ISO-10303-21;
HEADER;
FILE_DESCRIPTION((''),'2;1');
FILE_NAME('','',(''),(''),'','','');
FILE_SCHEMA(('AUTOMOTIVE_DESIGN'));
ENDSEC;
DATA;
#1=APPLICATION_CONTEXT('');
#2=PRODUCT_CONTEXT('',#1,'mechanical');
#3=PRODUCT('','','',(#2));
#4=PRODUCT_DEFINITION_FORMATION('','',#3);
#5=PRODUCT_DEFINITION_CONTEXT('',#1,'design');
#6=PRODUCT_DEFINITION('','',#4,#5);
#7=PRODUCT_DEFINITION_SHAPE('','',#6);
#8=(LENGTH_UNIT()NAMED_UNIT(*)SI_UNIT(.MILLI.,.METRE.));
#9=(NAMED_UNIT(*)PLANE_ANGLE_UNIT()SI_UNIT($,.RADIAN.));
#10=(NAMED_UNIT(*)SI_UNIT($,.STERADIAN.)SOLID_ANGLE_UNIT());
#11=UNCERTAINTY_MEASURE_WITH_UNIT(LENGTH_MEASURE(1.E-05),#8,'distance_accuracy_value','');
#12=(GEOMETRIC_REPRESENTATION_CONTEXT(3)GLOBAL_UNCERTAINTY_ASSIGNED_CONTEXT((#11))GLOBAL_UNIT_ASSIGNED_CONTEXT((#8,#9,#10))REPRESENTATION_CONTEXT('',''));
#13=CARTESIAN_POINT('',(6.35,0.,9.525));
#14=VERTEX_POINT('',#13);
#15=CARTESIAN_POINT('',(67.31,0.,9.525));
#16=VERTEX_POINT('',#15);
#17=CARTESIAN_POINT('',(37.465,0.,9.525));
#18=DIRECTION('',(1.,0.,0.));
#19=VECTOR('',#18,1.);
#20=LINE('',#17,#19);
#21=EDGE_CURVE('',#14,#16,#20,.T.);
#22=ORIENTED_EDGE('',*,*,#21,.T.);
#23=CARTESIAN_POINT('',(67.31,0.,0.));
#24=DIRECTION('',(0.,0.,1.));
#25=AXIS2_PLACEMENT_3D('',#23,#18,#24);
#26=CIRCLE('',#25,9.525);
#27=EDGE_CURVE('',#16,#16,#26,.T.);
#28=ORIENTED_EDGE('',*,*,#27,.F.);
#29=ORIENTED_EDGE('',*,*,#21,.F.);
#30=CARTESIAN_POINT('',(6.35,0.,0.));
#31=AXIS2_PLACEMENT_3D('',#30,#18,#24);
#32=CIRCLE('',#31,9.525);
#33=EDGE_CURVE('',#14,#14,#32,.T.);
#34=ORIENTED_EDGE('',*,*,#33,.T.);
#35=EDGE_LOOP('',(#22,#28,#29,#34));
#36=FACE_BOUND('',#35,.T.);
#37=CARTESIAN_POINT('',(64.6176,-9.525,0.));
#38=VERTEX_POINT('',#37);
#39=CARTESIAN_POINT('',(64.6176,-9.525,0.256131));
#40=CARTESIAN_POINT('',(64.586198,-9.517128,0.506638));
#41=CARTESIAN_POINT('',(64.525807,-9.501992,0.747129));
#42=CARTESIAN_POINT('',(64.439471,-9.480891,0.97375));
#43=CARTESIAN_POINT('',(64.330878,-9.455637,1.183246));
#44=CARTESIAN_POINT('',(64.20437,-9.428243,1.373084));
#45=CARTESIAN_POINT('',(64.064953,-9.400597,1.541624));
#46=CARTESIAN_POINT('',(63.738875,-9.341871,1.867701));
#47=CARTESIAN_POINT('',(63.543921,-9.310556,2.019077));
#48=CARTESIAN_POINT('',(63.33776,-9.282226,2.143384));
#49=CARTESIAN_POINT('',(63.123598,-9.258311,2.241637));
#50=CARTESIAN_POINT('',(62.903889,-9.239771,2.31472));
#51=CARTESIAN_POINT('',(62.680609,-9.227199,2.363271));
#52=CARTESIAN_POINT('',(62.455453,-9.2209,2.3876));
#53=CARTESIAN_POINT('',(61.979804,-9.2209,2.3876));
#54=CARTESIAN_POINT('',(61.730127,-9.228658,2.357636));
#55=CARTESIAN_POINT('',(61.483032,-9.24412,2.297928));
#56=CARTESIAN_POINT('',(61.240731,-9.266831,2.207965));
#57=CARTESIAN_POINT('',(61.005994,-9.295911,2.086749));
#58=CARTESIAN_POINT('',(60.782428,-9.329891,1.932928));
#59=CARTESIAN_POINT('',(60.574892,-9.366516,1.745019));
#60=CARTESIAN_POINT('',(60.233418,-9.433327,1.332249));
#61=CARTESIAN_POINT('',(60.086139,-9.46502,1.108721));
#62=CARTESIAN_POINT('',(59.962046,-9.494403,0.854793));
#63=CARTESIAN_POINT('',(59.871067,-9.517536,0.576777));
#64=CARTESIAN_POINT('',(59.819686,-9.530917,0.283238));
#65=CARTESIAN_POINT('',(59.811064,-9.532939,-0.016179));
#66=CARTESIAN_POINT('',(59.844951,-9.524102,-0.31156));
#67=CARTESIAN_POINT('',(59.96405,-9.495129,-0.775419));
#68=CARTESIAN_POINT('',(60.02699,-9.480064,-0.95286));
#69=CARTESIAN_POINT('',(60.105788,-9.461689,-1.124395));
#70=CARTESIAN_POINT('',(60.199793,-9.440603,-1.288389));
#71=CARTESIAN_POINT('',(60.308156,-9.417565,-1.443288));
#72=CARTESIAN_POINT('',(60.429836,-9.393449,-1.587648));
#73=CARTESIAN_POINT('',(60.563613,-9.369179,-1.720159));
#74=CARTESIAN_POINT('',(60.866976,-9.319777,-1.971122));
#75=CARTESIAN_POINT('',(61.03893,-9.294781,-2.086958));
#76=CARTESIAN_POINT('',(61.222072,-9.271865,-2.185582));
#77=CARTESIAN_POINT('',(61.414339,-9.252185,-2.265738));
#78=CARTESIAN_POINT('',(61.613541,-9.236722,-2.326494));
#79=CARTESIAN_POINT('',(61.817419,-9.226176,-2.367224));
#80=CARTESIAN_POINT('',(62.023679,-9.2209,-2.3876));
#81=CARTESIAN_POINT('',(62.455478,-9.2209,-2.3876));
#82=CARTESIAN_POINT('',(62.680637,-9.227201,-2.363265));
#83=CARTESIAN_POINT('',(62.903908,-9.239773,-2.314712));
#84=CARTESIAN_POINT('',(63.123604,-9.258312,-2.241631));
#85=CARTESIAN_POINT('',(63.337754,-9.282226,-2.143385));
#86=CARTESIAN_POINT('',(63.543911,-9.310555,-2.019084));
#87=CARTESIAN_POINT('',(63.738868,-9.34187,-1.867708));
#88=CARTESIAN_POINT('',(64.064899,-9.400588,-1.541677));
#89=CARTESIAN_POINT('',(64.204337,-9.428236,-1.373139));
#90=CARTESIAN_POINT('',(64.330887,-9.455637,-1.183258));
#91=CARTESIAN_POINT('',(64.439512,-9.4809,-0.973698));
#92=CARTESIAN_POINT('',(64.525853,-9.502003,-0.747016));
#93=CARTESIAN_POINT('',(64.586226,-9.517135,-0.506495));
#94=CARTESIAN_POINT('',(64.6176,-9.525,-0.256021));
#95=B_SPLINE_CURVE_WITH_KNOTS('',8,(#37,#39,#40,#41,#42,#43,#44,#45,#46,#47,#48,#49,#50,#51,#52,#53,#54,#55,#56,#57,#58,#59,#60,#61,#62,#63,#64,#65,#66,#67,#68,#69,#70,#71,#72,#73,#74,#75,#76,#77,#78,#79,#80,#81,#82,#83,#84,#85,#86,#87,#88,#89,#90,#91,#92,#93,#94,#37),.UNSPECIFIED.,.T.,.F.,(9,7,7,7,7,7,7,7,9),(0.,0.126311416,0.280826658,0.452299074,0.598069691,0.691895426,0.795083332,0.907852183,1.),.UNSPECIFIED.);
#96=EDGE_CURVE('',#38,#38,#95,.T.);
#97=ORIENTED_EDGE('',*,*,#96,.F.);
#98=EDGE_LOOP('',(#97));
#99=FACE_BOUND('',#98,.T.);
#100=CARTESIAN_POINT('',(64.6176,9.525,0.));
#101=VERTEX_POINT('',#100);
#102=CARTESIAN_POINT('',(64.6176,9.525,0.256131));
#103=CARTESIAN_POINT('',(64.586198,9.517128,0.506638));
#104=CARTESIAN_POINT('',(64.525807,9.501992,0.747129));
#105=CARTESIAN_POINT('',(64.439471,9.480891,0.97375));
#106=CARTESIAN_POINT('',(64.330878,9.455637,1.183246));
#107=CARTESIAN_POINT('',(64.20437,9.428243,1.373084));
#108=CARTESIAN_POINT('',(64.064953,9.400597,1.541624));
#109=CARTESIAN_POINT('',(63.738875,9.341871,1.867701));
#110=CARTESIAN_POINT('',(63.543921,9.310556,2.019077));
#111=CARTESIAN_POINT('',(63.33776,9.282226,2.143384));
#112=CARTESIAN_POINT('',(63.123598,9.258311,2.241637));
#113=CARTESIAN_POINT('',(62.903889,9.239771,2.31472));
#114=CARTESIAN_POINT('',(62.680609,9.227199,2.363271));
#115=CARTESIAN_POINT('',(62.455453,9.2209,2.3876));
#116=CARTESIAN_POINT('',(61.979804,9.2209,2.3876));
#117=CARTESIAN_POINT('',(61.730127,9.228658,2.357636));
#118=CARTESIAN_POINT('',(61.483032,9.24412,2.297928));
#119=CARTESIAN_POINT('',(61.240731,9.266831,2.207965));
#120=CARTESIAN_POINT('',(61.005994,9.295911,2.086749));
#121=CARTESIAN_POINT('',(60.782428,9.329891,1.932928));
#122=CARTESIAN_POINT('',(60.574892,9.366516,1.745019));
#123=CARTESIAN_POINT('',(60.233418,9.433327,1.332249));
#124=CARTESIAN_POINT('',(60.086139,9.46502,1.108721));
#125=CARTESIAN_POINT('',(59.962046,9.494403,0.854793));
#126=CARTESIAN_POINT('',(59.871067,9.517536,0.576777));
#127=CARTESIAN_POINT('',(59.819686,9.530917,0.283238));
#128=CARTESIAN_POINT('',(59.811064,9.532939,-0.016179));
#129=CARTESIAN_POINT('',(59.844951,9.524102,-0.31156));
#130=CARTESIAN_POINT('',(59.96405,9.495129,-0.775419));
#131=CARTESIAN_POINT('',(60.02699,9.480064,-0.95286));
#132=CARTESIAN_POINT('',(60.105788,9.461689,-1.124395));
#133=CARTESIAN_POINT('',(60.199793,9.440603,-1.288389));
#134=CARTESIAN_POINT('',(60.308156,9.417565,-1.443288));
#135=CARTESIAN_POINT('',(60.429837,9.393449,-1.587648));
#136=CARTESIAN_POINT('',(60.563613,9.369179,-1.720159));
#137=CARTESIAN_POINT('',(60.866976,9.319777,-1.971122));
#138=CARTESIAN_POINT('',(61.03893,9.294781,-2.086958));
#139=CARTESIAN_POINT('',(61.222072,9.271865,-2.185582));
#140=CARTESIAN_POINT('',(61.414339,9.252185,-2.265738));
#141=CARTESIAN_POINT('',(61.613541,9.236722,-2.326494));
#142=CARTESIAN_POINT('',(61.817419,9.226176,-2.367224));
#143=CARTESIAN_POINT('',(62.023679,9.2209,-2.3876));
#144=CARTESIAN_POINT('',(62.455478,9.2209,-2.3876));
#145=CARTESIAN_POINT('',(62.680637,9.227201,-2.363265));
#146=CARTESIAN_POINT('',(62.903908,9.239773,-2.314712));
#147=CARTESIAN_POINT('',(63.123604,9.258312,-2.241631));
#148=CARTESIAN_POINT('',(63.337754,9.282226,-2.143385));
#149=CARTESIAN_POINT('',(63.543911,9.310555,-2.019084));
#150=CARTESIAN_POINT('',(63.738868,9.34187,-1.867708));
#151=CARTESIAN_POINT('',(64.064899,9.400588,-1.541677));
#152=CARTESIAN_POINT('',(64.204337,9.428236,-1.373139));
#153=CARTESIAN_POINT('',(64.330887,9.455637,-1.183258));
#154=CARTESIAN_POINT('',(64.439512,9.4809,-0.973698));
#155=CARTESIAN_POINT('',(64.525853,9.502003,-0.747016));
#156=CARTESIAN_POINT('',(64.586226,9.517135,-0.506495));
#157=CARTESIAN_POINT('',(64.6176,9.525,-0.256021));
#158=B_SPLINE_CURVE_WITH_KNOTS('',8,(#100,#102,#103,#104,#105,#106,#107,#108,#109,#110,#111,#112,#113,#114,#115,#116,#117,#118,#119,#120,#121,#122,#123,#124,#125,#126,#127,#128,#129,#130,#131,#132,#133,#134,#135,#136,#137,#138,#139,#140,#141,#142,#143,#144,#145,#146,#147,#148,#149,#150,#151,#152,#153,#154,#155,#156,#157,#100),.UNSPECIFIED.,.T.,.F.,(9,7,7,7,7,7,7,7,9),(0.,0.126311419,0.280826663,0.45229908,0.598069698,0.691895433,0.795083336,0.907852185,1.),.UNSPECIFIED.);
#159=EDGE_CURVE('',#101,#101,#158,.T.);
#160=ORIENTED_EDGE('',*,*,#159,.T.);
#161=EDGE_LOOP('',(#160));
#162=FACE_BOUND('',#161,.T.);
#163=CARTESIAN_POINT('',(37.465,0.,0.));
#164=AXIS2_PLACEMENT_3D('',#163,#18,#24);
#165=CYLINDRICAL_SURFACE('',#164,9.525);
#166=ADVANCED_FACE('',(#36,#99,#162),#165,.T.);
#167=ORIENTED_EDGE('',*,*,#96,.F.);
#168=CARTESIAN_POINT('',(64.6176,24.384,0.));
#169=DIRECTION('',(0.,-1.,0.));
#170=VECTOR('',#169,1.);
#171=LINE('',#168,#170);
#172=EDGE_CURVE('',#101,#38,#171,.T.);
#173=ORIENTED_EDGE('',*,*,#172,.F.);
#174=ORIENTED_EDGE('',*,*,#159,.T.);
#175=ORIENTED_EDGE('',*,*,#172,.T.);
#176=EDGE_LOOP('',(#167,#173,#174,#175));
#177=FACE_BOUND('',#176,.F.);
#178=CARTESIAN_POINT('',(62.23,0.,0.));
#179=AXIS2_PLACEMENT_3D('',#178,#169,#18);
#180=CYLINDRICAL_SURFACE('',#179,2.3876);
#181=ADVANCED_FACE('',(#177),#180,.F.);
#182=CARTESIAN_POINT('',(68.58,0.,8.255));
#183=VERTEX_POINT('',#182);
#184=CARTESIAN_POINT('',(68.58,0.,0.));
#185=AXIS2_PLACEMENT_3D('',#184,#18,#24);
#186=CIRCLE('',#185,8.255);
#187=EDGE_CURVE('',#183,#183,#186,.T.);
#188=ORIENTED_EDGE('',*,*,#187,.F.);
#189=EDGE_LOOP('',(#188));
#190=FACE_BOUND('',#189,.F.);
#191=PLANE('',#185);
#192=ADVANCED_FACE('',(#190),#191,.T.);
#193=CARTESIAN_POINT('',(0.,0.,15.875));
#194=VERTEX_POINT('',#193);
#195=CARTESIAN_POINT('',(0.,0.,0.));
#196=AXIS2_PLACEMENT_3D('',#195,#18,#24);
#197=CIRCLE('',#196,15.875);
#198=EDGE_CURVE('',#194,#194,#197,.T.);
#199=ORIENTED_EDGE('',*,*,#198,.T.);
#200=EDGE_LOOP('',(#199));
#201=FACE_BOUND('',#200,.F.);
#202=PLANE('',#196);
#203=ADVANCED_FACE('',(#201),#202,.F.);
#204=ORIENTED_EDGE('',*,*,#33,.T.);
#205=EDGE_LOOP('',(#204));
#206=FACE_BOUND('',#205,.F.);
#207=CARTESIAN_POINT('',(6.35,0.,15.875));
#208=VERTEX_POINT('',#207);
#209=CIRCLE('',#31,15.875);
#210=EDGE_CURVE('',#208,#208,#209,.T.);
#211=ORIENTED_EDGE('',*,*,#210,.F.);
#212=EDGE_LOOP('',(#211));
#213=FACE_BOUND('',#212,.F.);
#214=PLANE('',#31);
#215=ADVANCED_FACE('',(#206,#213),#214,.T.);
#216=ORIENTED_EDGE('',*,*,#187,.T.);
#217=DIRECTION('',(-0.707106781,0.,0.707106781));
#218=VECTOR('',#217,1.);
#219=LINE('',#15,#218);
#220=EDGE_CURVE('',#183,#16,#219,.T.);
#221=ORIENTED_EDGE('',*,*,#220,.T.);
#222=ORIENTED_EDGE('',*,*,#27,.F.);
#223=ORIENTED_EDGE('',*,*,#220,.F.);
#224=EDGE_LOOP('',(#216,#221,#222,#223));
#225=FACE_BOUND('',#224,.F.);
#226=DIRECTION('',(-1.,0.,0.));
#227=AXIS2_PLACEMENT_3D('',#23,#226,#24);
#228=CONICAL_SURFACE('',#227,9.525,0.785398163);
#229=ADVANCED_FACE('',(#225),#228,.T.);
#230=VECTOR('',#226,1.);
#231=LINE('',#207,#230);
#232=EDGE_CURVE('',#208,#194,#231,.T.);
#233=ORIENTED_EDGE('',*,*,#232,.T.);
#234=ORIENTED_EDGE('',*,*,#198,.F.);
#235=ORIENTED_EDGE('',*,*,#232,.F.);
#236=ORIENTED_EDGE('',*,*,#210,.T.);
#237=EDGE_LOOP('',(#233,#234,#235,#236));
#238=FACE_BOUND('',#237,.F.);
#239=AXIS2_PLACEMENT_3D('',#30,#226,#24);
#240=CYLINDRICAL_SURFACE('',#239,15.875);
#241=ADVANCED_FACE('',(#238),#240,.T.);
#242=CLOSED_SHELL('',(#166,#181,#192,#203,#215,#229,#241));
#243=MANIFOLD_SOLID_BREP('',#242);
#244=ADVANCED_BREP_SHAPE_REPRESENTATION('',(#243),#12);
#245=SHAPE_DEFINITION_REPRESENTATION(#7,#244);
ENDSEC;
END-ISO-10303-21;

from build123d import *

# Parameters (mm, degrees)
F0_W     = 62.23
F0_H     = 9.525
F2_SIZE  = 1.27
F3_R     = 2.3876
F4_DEPTH = 24.384


with BuildPart() as f1:
    # F0 (on Front) → F1 (revolve)
    with BuildSketch(Plane.XZ):
        Polygon((0, 15.875), (0, 0), (6.35, 0), (6.35, 9.525), (6.35, 15.875), align=None)
        with Locations((37.465, 4.7625)):
            Rectangle(F0_W, F0_H)
    revolve(axis=Axis((37.465, 0, 0), (1, 0, 0)))

    # F2
    f2_edges = [f1.edges().sort_by_distance(p)[0] for p in [
        (68.58, 0, -9.525),
    ]]
    chamfer(f2_edges, length=F2_SIZE)

    # F3 (on Front) → F4 (cut, symmetric)
    with BuildSketch(Plane.XZ):
        with Locations((62.23, 0)):
            Circle(F3_R)
    extrude(amount=F4_DEPTH, both=True, mode=Mode.SUBTRACT)


solid = f1.part
